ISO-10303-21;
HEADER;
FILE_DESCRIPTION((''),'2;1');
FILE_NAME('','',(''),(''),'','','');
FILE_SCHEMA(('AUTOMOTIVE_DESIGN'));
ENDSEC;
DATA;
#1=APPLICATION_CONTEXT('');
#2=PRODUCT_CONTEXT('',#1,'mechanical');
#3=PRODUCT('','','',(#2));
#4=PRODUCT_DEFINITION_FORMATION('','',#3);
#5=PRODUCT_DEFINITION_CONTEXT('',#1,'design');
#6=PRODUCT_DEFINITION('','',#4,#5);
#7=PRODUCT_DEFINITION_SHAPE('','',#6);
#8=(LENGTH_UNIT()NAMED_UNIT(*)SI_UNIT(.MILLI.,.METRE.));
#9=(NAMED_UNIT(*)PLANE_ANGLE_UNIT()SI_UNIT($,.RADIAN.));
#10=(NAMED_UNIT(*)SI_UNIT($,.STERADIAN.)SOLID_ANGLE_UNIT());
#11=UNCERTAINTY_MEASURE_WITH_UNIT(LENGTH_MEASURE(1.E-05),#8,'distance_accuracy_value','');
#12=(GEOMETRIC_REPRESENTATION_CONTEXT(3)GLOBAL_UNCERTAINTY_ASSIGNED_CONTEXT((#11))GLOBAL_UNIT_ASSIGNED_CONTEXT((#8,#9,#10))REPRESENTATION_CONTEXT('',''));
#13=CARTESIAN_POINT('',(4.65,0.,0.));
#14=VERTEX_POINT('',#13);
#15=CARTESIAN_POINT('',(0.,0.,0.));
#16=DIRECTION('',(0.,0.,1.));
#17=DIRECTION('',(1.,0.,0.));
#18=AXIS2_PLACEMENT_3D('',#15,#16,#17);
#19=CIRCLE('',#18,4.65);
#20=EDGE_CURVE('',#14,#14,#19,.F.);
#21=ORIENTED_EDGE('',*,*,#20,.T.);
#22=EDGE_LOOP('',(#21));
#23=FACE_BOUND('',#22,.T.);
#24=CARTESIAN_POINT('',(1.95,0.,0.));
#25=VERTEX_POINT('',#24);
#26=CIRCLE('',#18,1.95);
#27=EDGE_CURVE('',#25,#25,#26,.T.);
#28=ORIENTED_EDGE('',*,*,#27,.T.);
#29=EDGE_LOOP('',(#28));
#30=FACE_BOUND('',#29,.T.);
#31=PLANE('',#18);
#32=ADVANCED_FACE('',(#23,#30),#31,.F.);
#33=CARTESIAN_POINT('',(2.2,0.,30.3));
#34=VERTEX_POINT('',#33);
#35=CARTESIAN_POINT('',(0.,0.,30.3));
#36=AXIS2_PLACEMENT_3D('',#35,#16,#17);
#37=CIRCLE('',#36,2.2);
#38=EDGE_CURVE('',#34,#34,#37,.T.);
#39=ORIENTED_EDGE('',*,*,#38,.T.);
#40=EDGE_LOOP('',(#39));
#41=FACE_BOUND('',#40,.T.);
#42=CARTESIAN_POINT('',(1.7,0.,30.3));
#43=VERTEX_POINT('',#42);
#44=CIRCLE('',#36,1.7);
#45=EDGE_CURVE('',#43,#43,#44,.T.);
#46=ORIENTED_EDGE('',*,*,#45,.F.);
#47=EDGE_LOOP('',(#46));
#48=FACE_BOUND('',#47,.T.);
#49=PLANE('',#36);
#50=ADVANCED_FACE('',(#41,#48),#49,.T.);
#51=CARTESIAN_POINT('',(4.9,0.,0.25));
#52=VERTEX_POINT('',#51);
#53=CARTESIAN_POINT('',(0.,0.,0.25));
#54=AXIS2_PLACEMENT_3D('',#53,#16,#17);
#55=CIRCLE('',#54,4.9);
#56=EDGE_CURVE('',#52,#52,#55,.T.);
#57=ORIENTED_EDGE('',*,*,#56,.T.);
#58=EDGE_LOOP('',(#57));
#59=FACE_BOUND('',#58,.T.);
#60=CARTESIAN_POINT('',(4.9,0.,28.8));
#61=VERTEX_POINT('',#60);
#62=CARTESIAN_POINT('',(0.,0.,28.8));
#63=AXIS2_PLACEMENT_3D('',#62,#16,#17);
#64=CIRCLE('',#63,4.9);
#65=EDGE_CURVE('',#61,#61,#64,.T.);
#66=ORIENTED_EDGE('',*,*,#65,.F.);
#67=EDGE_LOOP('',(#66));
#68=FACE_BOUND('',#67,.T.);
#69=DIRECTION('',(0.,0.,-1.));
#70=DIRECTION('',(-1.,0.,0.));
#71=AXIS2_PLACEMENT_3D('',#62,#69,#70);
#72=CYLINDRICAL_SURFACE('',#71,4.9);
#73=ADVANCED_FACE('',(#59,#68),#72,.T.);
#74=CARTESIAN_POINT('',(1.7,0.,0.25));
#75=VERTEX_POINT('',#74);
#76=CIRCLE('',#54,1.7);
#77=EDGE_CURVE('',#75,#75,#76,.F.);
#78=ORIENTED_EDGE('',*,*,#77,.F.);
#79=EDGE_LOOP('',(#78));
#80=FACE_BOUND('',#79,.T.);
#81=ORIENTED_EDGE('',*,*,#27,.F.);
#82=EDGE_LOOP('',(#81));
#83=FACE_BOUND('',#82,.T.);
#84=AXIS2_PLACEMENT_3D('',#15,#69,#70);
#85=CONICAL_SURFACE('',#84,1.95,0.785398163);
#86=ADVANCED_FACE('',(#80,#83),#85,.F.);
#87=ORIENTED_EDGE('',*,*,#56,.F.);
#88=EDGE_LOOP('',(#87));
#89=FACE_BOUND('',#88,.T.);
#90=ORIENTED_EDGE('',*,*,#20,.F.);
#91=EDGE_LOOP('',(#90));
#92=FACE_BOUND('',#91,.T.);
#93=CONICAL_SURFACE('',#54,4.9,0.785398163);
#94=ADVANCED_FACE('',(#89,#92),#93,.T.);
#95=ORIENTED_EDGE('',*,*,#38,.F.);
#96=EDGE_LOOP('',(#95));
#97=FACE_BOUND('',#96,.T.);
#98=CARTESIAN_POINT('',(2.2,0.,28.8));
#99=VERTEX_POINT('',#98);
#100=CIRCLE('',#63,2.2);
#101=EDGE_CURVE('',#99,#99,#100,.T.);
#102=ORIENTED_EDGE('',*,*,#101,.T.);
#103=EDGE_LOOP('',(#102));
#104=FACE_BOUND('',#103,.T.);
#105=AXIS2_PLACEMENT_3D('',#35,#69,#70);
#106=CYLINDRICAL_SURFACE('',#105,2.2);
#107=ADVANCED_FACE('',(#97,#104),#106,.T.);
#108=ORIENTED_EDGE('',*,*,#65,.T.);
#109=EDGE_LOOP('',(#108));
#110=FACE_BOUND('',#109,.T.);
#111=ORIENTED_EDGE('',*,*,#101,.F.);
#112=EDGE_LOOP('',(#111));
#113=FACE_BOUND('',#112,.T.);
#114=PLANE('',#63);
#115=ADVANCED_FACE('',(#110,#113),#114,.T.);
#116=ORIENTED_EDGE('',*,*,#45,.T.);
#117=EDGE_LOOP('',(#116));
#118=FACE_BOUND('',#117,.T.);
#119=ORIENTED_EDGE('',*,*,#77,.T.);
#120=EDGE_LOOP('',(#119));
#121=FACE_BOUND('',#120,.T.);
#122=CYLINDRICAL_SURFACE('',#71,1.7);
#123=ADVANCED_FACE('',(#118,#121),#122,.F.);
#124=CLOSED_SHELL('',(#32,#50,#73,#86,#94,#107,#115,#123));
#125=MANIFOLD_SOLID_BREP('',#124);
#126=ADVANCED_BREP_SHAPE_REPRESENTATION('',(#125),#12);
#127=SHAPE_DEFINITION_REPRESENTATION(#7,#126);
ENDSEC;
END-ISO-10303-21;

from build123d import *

# Parameters (mm, degrees)
SKETCH1_R           = 4.9
SKETCH1_R_2         = 1.7
BOSS_EXTRUDE1_DEPTH = 28.8
SKETCH2_R           = 2.2
SKETCH2_R_2         = 1.7
BOSS_EXTRUDE2_DEPTH = 1.5
CHAMFER1_SIZE       = 0.25


with BuildPart() as part:
    # Sketch1 → Boss-Extrude1 (new body)
    with BuildSketch(Plane.XY):
        Circle(SKETCH1_R)
        Circle(SKETCH1_R_2, mode=Mode.SUBTRACT)
    extrude(amount=BOSS_EXTRUDE1_DEPTH)

    # Sketch2 → Boss-Extrude2 (add)
    with BuildSketch(Plane.XY.offset(28.8)):
        Circle(SKETCH2_R)
        Circle(SKETCH2_R_2, mode=Mode.SUBTRACT)
    extrude(amount=BOSS_EXTRUDE2_DEPTH)

    # Chamfer1
    chamfer1_edges = [part.edges().sort_by_distance(p)[0] for p in [
        (-4.9, 0, 0),
        (-1.7, 0, 0),
    ]]
    chamfer(chamfer1_edges, length=CHAMFER1_SIZE)


solid = part.part
